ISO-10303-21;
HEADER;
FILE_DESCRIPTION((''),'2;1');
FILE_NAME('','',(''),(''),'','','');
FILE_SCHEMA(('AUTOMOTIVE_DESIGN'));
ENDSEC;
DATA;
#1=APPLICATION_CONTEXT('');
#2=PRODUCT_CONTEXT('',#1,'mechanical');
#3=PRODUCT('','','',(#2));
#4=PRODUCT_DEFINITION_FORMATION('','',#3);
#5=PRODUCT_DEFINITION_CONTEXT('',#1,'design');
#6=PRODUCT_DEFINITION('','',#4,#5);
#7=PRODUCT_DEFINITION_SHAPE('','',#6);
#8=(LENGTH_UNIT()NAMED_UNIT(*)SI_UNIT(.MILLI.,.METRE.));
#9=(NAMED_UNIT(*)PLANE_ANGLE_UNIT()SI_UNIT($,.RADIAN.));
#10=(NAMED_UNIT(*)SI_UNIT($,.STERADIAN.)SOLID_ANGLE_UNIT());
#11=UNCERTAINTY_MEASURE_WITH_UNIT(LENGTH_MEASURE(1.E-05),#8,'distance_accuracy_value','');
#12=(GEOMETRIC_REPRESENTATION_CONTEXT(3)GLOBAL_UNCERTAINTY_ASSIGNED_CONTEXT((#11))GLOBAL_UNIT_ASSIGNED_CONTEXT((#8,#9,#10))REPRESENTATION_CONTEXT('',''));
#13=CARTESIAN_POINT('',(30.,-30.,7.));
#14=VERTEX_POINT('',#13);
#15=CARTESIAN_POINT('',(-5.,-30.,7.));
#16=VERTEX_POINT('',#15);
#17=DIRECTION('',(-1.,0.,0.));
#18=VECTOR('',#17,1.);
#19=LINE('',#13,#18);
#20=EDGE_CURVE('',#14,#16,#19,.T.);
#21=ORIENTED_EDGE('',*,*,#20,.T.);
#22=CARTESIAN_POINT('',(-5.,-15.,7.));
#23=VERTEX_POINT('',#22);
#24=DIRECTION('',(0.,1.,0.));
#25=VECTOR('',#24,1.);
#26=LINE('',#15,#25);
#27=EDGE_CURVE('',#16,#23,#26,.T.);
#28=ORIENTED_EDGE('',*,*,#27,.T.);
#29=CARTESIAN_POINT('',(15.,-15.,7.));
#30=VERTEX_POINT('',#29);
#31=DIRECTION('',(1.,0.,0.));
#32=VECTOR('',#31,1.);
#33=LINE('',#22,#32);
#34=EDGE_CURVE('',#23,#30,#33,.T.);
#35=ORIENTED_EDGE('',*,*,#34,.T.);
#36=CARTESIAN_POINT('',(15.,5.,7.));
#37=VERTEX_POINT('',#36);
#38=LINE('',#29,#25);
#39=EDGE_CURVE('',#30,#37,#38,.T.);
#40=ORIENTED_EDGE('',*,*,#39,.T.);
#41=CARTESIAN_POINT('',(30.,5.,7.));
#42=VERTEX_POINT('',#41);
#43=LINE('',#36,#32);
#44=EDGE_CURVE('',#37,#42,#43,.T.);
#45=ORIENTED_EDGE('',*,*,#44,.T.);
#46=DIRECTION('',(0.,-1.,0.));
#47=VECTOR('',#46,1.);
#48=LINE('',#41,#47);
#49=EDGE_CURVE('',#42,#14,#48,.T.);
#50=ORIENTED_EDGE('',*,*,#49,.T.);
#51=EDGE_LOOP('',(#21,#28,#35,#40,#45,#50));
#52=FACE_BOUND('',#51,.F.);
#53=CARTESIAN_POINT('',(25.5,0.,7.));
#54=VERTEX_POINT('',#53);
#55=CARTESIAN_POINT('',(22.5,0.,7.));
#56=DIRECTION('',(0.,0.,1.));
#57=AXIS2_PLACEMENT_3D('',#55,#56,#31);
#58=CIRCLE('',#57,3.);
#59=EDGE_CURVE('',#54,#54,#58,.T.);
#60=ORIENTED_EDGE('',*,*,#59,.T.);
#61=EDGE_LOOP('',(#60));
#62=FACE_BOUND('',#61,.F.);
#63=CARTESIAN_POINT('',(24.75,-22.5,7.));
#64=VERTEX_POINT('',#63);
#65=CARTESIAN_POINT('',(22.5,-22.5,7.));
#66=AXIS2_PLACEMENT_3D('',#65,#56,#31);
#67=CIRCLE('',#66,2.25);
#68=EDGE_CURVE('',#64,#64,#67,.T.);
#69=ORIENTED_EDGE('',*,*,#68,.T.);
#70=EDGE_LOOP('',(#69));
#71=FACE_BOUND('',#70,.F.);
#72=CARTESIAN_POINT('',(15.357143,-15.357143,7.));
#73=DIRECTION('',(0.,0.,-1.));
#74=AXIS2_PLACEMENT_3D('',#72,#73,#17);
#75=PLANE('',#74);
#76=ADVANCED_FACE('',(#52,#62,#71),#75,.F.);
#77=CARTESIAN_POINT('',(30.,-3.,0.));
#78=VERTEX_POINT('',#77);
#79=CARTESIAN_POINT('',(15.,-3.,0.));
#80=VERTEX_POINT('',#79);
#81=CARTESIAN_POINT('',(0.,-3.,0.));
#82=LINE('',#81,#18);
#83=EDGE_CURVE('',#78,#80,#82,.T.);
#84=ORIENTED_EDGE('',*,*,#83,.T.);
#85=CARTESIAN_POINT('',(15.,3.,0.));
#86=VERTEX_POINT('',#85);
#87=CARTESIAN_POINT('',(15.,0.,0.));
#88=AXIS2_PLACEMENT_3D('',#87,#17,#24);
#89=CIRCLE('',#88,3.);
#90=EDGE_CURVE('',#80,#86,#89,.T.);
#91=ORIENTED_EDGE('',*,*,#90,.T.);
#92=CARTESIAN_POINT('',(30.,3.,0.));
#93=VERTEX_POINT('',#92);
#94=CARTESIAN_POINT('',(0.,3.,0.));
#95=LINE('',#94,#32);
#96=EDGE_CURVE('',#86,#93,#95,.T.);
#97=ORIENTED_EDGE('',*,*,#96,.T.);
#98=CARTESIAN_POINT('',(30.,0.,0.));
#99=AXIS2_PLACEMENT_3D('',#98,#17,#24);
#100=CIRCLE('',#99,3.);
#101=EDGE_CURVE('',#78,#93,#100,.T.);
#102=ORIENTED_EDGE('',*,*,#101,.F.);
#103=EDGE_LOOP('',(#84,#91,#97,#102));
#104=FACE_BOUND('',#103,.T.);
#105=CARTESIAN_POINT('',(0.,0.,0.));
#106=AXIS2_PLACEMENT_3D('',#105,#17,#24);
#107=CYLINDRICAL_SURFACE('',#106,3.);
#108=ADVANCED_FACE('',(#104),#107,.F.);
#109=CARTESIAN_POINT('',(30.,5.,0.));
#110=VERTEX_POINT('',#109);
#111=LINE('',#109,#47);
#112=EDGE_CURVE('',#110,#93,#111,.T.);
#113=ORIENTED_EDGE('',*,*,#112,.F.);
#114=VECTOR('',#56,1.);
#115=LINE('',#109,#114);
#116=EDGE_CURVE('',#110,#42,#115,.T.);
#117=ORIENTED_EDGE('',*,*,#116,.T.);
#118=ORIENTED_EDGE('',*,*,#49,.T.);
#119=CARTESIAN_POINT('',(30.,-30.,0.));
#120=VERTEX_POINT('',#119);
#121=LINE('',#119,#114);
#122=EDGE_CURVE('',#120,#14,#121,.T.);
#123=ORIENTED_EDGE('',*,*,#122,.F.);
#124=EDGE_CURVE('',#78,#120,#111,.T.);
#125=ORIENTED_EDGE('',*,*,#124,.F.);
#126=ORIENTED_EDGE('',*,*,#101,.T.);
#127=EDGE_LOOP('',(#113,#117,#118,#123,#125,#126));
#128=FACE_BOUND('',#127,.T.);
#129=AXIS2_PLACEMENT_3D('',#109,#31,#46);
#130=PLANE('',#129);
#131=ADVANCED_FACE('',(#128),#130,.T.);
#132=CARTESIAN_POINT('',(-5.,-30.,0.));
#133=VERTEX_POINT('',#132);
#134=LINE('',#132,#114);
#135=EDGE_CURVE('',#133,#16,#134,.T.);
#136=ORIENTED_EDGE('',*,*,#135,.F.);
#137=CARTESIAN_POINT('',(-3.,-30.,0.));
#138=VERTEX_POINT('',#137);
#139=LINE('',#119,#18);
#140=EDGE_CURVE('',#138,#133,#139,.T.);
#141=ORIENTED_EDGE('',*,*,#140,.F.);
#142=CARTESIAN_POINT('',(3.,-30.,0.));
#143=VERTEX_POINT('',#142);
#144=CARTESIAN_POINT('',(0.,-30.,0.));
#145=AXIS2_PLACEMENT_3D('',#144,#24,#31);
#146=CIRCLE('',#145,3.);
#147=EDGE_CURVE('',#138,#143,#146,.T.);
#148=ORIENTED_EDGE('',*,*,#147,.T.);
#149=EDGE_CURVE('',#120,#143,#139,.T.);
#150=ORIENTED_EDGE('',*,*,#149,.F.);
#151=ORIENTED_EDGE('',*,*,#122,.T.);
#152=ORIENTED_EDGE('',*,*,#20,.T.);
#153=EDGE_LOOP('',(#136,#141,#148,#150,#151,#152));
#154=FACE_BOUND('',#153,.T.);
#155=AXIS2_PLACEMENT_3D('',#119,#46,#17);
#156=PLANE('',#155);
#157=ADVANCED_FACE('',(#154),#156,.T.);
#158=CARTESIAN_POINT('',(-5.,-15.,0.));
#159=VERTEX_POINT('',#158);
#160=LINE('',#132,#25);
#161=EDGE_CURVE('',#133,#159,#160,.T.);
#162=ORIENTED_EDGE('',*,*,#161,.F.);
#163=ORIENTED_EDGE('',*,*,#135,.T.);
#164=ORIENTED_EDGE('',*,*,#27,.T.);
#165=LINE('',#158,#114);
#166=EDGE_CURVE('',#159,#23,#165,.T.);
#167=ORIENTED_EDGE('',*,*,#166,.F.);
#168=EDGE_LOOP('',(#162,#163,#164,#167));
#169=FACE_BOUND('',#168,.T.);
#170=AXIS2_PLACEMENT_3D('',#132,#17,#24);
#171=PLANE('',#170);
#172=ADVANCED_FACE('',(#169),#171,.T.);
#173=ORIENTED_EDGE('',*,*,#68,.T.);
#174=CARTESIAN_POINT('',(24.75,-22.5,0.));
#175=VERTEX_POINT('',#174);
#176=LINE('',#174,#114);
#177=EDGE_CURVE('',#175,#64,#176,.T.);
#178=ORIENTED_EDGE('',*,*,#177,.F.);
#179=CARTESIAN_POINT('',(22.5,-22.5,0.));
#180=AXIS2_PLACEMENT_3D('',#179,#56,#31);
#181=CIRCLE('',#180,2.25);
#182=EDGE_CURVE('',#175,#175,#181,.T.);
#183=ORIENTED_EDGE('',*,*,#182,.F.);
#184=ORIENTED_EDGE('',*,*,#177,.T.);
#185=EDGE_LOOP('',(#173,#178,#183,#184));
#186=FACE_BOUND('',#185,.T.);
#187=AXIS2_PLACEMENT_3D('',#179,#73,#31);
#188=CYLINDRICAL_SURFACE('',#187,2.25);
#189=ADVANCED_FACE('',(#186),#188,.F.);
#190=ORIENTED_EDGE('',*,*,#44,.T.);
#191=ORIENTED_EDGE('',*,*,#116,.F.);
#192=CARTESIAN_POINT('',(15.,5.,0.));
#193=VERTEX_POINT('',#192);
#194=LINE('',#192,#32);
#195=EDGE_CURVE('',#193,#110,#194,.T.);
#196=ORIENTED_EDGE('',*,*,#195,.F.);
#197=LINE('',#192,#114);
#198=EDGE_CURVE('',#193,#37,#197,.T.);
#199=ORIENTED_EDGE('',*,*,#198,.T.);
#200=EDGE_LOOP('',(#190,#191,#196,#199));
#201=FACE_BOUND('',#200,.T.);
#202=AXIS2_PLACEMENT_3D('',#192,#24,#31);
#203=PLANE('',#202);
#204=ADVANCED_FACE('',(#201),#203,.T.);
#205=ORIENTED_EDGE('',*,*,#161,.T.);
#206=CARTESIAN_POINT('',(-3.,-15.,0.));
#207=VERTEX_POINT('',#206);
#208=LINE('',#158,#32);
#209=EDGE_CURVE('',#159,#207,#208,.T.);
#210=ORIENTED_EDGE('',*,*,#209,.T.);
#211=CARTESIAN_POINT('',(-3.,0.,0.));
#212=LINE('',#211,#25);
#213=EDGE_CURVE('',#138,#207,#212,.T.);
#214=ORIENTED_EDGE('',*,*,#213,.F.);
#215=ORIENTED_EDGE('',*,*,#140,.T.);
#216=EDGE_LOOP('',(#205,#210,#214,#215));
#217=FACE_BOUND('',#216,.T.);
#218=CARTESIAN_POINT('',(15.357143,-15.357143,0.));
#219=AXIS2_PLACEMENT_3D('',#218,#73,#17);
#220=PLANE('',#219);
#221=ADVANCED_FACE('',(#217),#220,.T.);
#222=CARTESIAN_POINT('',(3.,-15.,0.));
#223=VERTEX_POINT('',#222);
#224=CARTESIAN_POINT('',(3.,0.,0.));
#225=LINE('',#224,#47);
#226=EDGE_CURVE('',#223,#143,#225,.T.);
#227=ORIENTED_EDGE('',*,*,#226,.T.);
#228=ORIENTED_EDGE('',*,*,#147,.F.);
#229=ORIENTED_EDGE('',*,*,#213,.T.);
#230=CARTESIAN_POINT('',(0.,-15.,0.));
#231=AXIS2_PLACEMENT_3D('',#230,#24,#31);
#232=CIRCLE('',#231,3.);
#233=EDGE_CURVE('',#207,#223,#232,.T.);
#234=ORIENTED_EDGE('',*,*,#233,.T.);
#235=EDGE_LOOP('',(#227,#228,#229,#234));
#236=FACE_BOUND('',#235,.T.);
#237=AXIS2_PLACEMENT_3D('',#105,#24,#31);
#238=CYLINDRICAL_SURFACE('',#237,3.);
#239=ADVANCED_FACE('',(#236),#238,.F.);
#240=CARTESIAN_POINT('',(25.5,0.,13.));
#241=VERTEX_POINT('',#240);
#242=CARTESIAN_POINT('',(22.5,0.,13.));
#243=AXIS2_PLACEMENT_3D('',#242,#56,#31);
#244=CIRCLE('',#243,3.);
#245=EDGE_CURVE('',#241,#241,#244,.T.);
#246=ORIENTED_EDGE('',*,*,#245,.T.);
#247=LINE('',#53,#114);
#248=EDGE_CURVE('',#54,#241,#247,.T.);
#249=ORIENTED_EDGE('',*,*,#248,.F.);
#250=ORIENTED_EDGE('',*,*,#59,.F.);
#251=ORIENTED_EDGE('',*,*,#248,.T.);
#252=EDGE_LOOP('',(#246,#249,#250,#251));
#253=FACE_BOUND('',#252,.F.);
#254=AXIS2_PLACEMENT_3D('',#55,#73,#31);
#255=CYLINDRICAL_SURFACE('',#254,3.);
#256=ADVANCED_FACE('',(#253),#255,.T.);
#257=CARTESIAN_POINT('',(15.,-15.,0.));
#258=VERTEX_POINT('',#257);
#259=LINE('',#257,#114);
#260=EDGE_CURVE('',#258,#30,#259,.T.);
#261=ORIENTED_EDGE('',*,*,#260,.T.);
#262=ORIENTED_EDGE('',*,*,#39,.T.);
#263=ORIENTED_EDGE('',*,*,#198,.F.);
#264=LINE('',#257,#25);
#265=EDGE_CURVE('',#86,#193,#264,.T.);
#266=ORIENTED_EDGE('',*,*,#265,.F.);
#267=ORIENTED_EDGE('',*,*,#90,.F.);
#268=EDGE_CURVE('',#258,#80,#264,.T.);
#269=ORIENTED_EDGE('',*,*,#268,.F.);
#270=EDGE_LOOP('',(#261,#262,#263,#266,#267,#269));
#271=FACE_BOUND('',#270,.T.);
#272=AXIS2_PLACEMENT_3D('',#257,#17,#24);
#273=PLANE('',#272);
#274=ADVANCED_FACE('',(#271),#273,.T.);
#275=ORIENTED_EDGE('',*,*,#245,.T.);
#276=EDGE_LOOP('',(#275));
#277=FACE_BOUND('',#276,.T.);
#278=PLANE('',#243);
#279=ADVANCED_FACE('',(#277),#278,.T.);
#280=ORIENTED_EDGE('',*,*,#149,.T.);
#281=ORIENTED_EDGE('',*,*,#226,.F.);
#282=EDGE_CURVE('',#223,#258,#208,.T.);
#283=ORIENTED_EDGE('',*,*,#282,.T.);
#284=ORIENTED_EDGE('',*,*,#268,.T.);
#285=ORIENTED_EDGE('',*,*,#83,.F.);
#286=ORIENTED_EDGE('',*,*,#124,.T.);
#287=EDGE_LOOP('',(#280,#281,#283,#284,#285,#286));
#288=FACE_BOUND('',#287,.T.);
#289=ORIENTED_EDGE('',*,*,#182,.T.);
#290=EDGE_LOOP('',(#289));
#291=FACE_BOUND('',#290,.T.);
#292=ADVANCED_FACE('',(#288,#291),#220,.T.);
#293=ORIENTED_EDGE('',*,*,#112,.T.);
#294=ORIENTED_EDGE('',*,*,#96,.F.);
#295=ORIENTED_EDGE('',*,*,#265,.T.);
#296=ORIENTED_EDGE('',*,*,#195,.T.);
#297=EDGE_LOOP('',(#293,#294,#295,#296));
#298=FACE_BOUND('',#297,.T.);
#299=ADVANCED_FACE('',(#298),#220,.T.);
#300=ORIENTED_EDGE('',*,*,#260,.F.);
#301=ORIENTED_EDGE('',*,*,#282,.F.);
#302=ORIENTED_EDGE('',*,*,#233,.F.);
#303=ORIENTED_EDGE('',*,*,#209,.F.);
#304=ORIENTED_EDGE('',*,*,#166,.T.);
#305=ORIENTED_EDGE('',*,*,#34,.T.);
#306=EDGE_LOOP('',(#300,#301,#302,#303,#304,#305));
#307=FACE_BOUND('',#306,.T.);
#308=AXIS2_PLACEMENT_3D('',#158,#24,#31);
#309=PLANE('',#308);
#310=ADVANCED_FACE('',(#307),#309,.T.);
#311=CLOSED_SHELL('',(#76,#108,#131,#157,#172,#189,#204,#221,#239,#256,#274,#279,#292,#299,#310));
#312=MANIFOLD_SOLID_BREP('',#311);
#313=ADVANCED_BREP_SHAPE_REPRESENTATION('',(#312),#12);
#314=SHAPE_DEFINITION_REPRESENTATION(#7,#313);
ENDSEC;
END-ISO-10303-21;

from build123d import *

# Parameters (mm, degrees)
SKETCH008_R     = 2.25
PAD005_DEPTH    = 7
SKETCH009_R     = 3
POCKET003_DEPTH = 30.001
SKETCH010_R     = 3
POCKET004_DEPTH = 30.001
SKETCH011_R     = 3
PAD006_DEPTH    = 6


with BuildPart() as part:
    # Sketch008 → Pad005 (new body)
    with BuildSketch(Plane.XY):
        Polygon((-5, -30), (-5, -15), (15, -15), (15, 5), (30, 5), (30, -30), align=None)
        with Locations((22.5, -22.5)):
            Circle(SKETCH008_R, mode=Mode.SUBTRACT)
    extrude(amount=PAD005_DEPTH)

    # Sketch009 → Pocket003 (cut, through all)
    with BuildSketch(Plane.XZ):
        Circle(SKETCH009_R)
    extrude(amount=POCKET003_DEPTH, mode=Mode.SUBTRACT)

    # Sketch010 → Pocket004 (cut, through all)
    with BuildSketch(Plane.YZ):
        Circle(SKETCH010_R)
    extrude(amount=POCKET004_DEPTH, mode=Mode.SUBTRACT)

    # Sketch011 → Pad006 (join)
    with BuildSketch(Plane.XY.offset(7)):
        with Locations((22.5, 0)):
            Circle(SKETCH011_R)
    extrude(amount=PAD006_DEPTH)


solid = part.part
